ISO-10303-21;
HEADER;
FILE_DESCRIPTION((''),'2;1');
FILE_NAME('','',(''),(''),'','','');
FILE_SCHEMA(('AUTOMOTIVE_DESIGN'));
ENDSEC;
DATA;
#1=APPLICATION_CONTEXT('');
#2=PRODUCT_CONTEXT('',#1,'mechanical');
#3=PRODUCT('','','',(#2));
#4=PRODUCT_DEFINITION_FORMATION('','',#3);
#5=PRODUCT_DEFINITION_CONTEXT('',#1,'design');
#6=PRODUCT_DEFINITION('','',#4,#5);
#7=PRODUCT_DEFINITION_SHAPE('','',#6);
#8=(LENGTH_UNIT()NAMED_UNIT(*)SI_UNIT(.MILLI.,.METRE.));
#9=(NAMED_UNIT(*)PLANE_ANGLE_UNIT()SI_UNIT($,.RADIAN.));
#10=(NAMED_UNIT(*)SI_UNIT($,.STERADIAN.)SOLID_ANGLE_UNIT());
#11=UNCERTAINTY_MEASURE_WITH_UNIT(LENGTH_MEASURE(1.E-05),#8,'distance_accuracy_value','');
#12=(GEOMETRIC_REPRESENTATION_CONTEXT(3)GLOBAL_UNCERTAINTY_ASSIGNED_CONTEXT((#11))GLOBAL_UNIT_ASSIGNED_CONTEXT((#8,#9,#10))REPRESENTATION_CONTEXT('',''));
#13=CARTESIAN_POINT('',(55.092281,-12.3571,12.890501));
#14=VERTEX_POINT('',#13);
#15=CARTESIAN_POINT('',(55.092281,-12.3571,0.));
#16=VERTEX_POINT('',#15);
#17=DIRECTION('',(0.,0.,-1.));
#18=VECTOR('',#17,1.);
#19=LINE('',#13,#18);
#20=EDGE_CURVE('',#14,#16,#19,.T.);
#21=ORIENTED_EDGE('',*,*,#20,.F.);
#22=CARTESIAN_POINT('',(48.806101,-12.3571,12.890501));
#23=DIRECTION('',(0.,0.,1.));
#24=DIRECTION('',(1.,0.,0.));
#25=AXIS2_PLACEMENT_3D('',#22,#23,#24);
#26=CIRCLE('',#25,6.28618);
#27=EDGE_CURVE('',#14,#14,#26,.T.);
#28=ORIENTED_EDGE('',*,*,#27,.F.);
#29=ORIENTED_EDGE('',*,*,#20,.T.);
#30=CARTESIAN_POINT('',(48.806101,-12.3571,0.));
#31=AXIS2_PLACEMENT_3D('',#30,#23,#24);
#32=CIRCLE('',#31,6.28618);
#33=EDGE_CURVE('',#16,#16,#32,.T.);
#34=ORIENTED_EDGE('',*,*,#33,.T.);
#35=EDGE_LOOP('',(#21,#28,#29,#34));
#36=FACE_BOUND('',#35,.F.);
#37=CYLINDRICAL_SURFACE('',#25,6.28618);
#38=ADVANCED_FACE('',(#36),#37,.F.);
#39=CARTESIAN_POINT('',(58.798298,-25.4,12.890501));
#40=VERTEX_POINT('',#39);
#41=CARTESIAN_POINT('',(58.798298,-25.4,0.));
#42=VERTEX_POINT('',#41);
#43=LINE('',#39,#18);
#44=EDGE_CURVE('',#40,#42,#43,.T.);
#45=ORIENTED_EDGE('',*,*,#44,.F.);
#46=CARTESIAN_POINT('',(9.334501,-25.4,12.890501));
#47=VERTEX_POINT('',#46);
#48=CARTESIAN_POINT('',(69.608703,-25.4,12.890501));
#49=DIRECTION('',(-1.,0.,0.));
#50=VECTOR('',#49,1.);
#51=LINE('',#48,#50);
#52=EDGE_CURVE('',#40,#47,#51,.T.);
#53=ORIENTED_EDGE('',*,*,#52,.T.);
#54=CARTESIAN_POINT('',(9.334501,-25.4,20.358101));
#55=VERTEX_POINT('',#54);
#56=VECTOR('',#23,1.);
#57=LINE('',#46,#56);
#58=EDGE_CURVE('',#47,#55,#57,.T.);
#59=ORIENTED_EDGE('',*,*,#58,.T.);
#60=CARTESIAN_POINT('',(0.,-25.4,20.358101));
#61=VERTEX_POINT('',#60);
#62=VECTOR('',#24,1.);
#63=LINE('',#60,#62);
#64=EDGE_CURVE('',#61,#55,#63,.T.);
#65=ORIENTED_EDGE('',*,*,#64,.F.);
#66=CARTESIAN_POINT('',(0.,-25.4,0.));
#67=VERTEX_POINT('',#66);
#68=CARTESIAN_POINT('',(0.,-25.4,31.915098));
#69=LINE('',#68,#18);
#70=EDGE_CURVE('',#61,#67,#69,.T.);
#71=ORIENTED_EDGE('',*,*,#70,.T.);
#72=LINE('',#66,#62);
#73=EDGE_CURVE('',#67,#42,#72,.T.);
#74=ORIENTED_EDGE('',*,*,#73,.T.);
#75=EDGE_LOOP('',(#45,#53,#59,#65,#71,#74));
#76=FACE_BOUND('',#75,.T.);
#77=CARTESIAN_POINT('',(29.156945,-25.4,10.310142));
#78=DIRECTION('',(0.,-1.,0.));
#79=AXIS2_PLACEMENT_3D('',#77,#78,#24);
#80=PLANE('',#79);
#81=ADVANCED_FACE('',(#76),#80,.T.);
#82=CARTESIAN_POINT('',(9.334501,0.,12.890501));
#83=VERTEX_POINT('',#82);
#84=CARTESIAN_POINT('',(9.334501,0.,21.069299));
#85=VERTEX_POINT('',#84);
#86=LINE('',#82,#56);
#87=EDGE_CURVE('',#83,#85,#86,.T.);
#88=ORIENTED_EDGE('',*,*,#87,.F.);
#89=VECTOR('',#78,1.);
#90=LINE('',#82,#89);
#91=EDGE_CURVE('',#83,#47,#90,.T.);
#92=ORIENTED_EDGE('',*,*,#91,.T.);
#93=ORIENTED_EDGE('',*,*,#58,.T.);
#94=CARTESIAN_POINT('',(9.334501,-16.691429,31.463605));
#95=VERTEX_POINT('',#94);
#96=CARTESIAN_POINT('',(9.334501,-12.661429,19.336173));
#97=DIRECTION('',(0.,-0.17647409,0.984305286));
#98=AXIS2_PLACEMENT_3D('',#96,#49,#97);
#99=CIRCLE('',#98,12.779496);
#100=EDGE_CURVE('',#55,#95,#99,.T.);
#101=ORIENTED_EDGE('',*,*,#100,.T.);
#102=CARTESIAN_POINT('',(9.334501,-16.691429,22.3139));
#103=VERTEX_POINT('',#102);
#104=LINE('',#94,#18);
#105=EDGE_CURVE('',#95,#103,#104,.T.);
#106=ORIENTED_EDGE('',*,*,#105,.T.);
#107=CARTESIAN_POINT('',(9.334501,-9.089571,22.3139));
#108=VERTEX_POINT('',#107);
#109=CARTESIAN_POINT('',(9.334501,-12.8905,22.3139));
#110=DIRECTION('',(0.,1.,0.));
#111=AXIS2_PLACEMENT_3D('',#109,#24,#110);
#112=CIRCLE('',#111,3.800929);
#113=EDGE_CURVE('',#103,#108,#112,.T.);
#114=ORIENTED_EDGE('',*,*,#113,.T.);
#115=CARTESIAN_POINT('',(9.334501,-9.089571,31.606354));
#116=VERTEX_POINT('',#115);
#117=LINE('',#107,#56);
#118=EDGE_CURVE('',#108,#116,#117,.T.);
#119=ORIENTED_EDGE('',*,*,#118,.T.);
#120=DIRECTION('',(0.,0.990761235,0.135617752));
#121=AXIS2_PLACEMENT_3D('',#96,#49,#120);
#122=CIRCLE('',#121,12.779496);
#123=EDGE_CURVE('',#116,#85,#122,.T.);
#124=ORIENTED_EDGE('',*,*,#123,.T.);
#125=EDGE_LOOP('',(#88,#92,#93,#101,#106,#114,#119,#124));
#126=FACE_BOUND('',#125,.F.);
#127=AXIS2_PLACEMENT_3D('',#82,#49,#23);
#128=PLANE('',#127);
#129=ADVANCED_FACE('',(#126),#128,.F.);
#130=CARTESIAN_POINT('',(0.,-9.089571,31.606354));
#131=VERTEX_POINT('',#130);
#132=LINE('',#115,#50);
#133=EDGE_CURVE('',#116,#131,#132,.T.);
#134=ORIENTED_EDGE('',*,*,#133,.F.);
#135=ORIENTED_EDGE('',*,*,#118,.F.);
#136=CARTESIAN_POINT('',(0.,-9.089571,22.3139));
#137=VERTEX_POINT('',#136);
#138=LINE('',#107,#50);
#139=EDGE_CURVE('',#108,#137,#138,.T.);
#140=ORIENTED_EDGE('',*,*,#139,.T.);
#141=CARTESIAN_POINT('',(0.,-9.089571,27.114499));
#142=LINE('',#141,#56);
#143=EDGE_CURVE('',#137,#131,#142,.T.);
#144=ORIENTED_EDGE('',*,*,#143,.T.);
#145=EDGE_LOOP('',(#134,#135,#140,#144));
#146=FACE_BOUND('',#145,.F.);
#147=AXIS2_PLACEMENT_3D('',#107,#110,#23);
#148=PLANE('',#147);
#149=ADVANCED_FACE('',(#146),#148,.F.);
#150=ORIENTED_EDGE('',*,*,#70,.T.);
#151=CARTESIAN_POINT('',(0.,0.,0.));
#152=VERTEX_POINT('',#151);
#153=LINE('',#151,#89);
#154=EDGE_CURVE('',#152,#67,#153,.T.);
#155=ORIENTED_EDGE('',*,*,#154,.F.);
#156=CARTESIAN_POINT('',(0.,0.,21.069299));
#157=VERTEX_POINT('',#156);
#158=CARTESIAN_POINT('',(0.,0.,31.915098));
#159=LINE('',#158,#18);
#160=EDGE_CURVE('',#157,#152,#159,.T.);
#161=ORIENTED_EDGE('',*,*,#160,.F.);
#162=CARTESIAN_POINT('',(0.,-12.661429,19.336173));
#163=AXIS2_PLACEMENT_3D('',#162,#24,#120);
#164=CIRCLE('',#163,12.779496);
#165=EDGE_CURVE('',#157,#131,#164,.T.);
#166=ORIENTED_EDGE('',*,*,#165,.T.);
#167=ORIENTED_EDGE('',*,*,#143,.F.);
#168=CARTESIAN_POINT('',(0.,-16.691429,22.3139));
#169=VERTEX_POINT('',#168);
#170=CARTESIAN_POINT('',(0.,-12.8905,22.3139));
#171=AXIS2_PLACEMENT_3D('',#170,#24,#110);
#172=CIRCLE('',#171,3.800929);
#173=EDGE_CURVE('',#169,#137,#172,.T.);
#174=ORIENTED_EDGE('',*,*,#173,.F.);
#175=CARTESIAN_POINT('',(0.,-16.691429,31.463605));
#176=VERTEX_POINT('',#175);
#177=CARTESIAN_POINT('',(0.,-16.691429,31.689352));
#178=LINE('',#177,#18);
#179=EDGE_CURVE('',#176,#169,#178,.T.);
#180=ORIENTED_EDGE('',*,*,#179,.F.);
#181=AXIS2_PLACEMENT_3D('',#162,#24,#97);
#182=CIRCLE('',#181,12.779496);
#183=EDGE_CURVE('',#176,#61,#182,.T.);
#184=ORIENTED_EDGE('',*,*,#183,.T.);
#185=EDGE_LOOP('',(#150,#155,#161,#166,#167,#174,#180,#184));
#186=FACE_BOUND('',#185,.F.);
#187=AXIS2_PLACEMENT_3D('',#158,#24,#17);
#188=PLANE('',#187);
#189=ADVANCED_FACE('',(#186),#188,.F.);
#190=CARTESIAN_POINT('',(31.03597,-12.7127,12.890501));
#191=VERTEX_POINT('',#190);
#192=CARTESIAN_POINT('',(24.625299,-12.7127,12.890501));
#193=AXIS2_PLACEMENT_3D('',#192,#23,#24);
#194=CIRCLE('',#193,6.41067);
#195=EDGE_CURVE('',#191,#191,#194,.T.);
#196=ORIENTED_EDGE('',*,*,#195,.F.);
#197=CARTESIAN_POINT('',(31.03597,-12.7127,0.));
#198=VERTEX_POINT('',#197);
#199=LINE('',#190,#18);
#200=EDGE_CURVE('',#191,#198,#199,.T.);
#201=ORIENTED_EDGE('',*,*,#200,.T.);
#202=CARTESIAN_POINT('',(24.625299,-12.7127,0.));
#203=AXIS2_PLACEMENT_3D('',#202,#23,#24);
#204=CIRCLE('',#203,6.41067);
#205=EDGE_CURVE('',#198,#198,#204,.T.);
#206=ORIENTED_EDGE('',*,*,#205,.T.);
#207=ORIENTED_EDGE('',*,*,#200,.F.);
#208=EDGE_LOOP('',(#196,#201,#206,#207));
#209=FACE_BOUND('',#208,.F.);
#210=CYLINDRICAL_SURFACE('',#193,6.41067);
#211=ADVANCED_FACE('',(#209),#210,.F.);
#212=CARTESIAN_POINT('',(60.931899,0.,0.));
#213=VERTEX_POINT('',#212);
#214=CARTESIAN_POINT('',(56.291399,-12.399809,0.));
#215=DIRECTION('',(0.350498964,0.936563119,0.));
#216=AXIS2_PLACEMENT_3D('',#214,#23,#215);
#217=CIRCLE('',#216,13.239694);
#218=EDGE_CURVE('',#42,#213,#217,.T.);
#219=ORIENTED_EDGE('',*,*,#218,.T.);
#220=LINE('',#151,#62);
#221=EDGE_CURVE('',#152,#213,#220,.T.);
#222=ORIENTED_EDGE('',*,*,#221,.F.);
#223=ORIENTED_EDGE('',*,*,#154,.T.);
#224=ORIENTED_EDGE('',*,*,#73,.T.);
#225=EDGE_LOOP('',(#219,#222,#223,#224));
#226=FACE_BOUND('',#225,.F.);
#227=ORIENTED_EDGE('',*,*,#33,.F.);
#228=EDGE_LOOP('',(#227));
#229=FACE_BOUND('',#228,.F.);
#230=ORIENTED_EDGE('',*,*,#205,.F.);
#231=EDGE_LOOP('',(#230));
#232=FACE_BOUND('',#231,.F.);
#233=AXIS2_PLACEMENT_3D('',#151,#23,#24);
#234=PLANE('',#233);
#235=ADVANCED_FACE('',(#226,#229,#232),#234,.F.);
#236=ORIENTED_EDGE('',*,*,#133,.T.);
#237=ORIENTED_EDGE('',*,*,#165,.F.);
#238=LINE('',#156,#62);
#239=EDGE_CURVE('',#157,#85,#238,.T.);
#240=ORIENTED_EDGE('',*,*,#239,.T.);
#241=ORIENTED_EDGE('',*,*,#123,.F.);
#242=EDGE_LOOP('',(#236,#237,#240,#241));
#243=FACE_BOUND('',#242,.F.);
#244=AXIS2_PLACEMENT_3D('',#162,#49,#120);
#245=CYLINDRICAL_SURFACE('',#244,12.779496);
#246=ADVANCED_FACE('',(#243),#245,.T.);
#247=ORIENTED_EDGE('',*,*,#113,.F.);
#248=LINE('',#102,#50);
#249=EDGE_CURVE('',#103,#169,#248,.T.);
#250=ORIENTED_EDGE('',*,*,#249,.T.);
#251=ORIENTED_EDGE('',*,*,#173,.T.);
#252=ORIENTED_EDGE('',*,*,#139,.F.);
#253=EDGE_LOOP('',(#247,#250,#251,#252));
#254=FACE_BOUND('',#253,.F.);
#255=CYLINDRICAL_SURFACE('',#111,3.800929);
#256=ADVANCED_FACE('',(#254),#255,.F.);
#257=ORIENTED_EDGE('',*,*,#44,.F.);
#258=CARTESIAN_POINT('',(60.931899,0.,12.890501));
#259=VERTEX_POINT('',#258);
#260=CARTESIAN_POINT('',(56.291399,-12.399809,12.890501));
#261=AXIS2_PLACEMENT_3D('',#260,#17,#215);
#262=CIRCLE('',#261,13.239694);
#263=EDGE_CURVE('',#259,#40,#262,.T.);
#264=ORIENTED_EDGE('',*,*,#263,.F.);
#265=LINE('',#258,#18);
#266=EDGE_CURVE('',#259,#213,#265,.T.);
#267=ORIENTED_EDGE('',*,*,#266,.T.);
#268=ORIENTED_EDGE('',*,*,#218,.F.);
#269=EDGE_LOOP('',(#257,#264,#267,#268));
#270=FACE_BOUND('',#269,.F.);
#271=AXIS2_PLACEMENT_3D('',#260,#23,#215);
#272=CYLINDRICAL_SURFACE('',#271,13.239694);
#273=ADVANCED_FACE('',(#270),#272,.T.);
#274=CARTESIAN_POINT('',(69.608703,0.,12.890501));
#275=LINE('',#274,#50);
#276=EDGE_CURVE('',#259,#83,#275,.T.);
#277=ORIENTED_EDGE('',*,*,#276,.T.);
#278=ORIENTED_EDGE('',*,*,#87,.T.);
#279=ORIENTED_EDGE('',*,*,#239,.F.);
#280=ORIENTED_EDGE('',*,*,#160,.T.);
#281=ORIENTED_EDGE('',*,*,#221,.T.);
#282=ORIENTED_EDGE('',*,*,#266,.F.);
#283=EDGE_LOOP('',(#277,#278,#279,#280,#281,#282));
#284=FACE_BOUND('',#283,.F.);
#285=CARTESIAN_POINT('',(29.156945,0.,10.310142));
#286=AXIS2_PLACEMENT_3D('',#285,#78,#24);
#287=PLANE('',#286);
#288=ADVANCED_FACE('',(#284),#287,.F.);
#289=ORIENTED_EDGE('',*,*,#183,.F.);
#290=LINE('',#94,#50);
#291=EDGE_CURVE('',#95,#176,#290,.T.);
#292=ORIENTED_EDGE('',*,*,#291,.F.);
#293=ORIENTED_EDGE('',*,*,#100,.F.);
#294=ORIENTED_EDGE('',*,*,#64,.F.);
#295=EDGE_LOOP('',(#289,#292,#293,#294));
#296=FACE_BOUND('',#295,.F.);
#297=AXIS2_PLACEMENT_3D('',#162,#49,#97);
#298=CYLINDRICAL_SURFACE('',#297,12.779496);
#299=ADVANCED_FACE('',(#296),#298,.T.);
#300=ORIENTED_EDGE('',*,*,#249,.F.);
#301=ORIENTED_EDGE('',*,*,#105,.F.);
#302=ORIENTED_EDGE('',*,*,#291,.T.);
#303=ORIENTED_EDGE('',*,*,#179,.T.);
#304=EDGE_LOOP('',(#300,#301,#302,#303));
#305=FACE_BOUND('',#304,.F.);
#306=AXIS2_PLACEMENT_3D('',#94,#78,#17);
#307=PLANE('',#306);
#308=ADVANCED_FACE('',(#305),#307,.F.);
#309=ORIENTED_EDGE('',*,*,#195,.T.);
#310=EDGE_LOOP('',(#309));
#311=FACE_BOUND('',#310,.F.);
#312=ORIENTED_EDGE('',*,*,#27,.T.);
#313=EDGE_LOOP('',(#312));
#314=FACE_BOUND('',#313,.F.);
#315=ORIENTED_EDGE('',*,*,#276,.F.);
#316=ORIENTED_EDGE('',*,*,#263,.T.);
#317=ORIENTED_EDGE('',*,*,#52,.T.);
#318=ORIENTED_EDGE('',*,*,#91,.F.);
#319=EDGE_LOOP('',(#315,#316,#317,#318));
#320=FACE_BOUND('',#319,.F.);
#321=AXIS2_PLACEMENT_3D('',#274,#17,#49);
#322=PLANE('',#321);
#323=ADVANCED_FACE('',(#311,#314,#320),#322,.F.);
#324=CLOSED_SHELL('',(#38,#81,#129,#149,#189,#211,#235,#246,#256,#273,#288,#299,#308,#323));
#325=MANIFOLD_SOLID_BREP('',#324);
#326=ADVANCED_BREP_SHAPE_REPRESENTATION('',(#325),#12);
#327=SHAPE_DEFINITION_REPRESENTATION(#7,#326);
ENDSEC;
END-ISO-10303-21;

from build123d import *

# Parameters (mm, degrees)
F1_DEPTH  = 25.4
F2_R      = 6.2861798015
F2_R_2    = 6.4106702401
F3_DEPTH  = 12.8915009478
F5_DEPTH  = 12.8915009478
F7_DEPTH  = 69.5320936104
F10_DEPTH = 9.335500879


with BuildPart() as f1:
    # F0 (on Front) → F1 (new body)
    with BuildSketch(Plane.XZ):
        Polygon((0, 31.9150984287), (0, 0), (69.6087032557, 0), (69.6087032557, 12.8905009478), (9.334500879, 12.8905009478), (9.334500879, 31.9150984287), align=None)
    extrude(amount=F1_DEPTH)

    # F2 (on face) → F3 (cut, through all)
    with BuildSketch(Plane.XY.offset(12.8905009478)):
        with Locations((48.8061010838, -12.3570999131)):
            Circle(F2_R)
        with Locations((24.6252994984, -12.7127002925)):
            Circle(F2_R_2)
    extrude(amount=-F3_DEPTH, mode=Mode.SUBTRACT)

    # F4 (on face) → F5 (cut, through all)
    with BuildSketch(Plane.XY.offset(12.8905009478)):
        with BuildLine():
            ThreePointArc((60.931898555, 0), (69.4846296944, -13.5080407898), (58.7982981412, -25.4))
            Line((58.7982981412, -25.4), (69.6087032557, -25.4))
            Line((69.6087032557, -25.4), (69.6087032557, 0))
            Line((69.6087032557, 0), (60.931898555, 0))
        make_face()
    extrude(amount=-F5_DEPTH, mode=Mode.SUBTRACT)

    # F6 (on face) → F7 (cut, through all)
    with BuildSketch(Plane(origin=(0, 0, 0), x_dir=(0, -1, 0), z_dir=(-1, 0, 0))):
        with BuildLine():
            ThreePointArc((0, 21.0692994297), (3.4400048541, 28.1838195258), (10.4061793669, 31.9150984287))
            Line((10.4061793669, 31.9150984287), (0, 31.9150984287))
            Line((0, 31.9150984287), (0, 21.0692994297))
        make_face()
        with BuildLine():
            ThreePointArc((14.9166792368, 31.9150984287), (22.126877753, 27.9222549677), (25.4, 20.3581005335))
            Line((25.4, 20.3581005335), (25.4, 31.9150984287))
            Line((25.4, 31.9150984287), (14.9166792368, 31.9150984287))
        make_face()
    extrude(amount=-F7_DEPTH, mode=Mode.SUBTRACT)

    # F9 (on face) → F10 (cut, through all)
    with BuildSketch(Plane.YZ.offset(9.334500879)):
        with BuildLine():
            ThreePointArc((-16.6914294769, 22.3139002919), (-12.8905000165, 26.1148297523), (-9.0895705561, 22.3139002919))
            Line((-9.0895705561, 22.3139002919), (-9.0895705561, 31.6063540242))
            ThreePointArc((-9.0895705561, 31.6063540242), (-9.7437881877, 31.7781538537), (-10.4061793669, 31.9150984287))
            Line((-10.4061793669, 31.9150984287), (-14.9166792368, 31.9150984287))
            ThreePointArc((-14.9166792368, 31.9150984287), (-15.8121520335, 31.7211826291), (-16.6914294769, 31.4636053697))
            Line((-16.6914294769, 31.4636053697), (-16.6914294769, 22.3139002919))
        make_face()
        with BuildLine():
            ThreePointArc((-16.6914294769, 22.3139002919), (-12.8905000165, 18.5129708315), (-9.0895705561, 22.3139002919))
            ThreePointArc((-9.0895705561, 22.3139002919), (-12.8905000165, 26.1148297523), (-16.6914294769, 22.3139002919))
        make_face()
    extrude(amount=-F10_DEPTH, mode=Mode.SUBTRACT)


solid = f1.part
